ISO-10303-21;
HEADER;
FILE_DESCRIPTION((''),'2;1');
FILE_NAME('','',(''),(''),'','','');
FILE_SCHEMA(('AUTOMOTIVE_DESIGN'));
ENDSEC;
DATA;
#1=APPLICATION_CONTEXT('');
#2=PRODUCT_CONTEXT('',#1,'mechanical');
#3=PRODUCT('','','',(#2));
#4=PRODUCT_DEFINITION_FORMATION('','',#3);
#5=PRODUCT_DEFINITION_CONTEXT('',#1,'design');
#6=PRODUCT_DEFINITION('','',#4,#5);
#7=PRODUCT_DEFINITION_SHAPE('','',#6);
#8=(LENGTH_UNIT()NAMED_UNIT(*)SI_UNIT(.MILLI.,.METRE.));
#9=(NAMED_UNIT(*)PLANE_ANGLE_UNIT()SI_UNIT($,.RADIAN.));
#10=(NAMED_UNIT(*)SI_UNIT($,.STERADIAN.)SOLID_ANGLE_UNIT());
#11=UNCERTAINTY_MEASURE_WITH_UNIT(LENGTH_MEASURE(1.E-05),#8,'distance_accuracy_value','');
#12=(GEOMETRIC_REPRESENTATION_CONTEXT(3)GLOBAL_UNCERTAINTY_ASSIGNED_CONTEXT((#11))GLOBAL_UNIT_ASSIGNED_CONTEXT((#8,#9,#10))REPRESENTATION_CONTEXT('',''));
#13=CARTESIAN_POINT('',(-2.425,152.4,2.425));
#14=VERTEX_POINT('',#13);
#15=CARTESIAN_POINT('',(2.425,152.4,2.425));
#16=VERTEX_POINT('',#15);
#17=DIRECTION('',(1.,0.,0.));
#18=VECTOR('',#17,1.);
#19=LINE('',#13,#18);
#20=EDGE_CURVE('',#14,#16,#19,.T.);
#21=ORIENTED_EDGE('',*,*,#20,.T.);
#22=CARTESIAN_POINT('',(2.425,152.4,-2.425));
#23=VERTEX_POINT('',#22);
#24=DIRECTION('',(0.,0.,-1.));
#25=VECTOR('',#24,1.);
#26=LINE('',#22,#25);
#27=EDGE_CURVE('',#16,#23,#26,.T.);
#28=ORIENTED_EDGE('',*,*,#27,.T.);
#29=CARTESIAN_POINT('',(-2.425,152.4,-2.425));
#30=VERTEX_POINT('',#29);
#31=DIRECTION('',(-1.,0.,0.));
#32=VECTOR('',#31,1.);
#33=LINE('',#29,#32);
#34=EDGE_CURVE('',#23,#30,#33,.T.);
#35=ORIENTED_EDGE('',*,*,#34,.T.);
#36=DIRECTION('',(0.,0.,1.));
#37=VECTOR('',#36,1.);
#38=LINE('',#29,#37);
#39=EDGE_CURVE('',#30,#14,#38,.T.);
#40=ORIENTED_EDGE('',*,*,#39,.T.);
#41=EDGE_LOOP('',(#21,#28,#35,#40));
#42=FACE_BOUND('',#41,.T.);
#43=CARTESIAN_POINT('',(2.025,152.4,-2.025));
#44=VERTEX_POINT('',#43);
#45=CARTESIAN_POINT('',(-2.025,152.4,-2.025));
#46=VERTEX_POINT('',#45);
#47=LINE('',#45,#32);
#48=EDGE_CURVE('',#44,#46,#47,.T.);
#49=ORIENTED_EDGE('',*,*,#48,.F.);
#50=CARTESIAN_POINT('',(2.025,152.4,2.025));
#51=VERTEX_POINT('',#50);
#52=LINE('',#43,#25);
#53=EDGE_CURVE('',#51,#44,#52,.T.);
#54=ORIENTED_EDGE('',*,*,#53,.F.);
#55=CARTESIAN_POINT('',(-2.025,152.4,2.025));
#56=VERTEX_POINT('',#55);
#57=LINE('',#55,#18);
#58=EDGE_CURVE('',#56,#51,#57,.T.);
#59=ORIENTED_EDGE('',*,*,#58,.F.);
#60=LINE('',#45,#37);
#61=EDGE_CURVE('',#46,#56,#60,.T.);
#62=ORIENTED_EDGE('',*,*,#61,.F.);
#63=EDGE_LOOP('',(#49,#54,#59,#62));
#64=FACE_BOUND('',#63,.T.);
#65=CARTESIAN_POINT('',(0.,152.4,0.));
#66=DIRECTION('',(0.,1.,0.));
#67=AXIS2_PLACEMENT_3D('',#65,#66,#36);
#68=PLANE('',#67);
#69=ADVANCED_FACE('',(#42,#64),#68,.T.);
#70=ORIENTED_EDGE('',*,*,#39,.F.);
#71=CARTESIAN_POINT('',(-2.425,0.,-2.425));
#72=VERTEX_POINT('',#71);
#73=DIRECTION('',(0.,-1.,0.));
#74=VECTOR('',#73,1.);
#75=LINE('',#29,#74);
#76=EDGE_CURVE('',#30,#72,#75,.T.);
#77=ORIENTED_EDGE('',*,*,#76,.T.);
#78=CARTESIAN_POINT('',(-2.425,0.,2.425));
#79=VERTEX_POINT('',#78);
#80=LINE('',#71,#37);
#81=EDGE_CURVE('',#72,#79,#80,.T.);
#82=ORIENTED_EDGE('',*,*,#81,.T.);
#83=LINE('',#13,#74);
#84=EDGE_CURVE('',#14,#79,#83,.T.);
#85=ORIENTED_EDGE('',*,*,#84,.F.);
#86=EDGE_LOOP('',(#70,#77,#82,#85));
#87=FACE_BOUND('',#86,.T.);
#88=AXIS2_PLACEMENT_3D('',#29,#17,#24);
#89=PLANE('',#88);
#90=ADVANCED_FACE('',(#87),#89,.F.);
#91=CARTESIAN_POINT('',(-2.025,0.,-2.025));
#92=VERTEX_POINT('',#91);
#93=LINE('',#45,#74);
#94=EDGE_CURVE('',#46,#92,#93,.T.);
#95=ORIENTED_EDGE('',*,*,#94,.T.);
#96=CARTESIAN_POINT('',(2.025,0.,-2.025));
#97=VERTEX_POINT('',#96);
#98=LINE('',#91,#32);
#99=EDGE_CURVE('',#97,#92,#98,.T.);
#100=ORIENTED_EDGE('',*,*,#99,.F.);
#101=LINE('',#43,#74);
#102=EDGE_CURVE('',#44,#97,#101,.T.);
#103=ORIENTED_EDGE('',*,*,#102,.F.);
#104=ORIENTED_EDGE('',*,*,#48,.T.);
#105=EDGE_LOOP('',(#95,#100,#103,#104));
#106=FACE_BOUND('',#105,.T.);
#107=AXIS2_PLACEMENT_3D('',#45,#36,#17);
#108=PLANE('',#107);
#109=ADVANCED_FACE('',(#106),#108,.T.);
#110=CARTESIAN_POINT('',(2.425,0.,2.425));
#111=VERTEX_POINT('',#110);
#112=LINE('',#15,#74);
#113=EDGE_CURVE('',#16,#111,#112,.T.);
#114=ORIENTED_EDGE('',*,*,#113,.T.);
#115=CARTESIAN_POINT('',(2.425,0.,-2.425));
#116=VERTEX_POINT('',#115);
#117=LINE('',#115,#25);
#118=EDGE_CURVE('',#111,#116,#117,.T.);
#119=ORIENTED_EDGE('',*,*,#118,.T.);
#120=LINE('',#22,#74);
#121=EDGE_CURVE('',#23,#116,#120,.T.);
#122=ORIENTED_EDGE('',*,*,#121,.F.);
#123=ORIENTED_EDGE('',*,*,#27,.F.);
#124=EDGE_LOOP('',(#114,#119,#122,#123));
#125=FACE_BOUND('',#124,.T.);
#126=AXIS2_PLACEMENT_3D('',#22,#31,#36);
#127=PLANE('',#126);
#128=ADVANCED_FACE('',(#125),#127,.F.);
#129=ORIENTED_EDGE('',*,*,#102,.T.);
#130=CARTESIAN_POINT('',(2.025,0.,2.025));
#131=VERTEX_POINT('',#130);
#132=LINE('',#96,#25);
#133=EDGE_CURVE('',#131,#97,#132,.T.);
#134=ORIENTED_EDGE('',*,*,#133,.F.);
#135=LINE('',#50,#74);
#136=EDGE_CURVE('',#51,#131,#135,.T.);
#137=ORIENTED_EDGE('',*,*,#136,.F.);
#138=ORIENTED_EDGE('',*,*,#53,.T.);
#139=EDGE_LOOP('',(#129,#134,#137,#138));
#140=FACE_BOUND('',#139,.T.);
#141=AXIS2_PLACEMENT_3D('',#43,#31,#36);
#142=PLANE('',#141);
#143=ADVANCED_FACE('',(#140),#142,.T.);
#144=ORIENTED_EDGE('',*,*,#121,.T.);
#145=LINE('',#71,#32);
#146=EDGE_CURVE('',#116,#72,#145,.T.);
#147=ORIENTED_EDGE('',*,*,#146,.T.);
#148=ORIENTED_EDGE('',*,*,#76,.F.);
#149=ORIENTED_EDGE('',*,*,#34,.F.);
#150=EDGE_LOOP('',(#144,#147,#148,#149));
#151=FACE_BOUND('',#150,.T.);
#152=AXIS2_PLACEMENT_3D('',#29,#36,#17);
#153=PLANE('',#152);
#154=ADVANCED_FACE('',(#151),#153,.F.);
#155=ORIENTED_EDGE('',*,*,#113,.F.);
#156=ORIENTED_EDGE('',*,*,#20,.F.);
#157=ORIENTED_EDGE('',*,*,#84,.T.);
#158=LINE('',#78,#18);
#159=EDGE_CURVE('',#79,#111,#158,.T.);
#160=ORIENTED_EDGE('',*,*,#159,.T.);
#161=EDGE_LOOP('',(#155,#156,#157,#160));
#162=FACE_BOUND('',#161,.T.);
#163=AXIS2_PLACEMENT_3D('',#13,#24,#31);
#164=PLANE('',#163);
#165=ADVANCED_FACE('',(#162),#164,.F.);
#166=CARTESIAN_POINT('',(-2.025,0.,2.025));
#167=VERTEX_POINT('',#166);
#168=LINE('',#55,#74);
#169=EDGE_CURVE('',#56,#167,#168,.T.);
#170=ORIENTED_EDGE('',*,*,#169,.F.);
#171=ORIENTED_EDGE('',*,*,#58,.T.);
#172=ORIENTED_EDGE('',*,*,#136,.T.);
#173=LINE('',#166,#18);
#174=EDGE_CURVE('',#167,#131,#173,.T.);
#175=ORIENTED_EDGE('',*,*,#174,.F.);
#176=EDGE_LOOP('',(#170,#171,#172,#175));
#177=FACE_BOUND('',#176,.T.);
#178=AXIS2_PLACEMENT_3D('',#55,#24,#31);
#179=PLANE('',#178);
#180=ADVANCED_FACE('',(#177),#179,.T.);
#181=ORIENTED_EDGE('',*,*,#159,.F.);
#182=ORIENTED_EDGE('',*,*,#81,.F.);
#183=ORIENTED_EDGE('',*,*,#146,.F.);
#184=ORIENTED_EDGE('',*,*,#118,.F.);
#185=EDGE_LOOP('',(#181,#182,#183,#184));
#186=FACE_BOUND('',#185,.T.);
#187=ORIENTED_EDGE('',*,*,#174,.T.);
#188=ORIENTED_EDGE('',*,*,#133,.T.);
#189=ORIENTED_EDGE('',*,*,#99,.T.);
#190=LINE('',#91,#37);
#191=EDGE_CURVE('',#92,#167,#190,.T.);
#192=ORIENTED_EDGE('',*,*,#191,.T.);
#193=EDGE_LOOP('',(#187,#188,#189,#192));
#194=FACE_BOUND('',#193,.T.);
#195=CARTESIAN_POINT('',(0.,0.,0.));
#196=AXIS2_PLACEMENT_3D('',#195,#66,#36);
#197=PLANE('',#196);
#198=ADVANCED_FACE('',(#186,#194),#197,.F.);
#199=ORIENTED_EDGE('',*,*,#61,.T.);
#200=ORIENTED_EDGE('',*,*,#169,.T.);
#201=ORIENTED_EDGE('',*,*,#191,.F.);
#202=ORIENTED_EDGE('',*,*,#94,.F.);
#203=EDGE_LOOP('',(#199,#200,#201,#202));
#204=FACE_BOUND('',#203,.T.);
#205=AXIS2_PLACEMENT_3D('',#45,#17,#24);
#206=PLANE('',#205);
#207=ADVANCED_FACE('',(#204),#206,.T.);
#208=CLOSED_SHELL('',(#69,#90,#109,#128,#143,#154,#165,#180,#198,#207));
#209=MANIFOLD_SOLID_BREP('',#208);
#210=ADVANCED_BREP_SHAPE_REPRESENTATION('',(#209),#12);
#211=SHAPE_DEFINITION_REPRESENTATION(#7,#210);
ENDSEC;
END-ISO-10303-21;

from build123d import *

# Parameters (mm, degrees)
SKETCH1_W           = 4.85
SKETCH1_H           = 4.85
SKETCH1_W_2         = 4.05
SKETCH1_H_2         = 4.05
BOSS_EXTRUDE1_DEPTH = 152.4


with BuildPart() as part:
    # Sketch1 → Boss-Extrude1 (new body)
    with BuildSketch(Plane(origin=(0, 0, 0), x_dir=(1, 0, 0), z_dir=(0, 1, 0))):
        Rectangle(SKETCH1_W, SKETCH1_H)
        Rectangle(SKETCH1_W_2, SKETCH1_H_2, mode=Mode.SUBTRACT)
    extrude(amount=BOSS_EXTRUDE1_DEPTH)


solid = part.part
